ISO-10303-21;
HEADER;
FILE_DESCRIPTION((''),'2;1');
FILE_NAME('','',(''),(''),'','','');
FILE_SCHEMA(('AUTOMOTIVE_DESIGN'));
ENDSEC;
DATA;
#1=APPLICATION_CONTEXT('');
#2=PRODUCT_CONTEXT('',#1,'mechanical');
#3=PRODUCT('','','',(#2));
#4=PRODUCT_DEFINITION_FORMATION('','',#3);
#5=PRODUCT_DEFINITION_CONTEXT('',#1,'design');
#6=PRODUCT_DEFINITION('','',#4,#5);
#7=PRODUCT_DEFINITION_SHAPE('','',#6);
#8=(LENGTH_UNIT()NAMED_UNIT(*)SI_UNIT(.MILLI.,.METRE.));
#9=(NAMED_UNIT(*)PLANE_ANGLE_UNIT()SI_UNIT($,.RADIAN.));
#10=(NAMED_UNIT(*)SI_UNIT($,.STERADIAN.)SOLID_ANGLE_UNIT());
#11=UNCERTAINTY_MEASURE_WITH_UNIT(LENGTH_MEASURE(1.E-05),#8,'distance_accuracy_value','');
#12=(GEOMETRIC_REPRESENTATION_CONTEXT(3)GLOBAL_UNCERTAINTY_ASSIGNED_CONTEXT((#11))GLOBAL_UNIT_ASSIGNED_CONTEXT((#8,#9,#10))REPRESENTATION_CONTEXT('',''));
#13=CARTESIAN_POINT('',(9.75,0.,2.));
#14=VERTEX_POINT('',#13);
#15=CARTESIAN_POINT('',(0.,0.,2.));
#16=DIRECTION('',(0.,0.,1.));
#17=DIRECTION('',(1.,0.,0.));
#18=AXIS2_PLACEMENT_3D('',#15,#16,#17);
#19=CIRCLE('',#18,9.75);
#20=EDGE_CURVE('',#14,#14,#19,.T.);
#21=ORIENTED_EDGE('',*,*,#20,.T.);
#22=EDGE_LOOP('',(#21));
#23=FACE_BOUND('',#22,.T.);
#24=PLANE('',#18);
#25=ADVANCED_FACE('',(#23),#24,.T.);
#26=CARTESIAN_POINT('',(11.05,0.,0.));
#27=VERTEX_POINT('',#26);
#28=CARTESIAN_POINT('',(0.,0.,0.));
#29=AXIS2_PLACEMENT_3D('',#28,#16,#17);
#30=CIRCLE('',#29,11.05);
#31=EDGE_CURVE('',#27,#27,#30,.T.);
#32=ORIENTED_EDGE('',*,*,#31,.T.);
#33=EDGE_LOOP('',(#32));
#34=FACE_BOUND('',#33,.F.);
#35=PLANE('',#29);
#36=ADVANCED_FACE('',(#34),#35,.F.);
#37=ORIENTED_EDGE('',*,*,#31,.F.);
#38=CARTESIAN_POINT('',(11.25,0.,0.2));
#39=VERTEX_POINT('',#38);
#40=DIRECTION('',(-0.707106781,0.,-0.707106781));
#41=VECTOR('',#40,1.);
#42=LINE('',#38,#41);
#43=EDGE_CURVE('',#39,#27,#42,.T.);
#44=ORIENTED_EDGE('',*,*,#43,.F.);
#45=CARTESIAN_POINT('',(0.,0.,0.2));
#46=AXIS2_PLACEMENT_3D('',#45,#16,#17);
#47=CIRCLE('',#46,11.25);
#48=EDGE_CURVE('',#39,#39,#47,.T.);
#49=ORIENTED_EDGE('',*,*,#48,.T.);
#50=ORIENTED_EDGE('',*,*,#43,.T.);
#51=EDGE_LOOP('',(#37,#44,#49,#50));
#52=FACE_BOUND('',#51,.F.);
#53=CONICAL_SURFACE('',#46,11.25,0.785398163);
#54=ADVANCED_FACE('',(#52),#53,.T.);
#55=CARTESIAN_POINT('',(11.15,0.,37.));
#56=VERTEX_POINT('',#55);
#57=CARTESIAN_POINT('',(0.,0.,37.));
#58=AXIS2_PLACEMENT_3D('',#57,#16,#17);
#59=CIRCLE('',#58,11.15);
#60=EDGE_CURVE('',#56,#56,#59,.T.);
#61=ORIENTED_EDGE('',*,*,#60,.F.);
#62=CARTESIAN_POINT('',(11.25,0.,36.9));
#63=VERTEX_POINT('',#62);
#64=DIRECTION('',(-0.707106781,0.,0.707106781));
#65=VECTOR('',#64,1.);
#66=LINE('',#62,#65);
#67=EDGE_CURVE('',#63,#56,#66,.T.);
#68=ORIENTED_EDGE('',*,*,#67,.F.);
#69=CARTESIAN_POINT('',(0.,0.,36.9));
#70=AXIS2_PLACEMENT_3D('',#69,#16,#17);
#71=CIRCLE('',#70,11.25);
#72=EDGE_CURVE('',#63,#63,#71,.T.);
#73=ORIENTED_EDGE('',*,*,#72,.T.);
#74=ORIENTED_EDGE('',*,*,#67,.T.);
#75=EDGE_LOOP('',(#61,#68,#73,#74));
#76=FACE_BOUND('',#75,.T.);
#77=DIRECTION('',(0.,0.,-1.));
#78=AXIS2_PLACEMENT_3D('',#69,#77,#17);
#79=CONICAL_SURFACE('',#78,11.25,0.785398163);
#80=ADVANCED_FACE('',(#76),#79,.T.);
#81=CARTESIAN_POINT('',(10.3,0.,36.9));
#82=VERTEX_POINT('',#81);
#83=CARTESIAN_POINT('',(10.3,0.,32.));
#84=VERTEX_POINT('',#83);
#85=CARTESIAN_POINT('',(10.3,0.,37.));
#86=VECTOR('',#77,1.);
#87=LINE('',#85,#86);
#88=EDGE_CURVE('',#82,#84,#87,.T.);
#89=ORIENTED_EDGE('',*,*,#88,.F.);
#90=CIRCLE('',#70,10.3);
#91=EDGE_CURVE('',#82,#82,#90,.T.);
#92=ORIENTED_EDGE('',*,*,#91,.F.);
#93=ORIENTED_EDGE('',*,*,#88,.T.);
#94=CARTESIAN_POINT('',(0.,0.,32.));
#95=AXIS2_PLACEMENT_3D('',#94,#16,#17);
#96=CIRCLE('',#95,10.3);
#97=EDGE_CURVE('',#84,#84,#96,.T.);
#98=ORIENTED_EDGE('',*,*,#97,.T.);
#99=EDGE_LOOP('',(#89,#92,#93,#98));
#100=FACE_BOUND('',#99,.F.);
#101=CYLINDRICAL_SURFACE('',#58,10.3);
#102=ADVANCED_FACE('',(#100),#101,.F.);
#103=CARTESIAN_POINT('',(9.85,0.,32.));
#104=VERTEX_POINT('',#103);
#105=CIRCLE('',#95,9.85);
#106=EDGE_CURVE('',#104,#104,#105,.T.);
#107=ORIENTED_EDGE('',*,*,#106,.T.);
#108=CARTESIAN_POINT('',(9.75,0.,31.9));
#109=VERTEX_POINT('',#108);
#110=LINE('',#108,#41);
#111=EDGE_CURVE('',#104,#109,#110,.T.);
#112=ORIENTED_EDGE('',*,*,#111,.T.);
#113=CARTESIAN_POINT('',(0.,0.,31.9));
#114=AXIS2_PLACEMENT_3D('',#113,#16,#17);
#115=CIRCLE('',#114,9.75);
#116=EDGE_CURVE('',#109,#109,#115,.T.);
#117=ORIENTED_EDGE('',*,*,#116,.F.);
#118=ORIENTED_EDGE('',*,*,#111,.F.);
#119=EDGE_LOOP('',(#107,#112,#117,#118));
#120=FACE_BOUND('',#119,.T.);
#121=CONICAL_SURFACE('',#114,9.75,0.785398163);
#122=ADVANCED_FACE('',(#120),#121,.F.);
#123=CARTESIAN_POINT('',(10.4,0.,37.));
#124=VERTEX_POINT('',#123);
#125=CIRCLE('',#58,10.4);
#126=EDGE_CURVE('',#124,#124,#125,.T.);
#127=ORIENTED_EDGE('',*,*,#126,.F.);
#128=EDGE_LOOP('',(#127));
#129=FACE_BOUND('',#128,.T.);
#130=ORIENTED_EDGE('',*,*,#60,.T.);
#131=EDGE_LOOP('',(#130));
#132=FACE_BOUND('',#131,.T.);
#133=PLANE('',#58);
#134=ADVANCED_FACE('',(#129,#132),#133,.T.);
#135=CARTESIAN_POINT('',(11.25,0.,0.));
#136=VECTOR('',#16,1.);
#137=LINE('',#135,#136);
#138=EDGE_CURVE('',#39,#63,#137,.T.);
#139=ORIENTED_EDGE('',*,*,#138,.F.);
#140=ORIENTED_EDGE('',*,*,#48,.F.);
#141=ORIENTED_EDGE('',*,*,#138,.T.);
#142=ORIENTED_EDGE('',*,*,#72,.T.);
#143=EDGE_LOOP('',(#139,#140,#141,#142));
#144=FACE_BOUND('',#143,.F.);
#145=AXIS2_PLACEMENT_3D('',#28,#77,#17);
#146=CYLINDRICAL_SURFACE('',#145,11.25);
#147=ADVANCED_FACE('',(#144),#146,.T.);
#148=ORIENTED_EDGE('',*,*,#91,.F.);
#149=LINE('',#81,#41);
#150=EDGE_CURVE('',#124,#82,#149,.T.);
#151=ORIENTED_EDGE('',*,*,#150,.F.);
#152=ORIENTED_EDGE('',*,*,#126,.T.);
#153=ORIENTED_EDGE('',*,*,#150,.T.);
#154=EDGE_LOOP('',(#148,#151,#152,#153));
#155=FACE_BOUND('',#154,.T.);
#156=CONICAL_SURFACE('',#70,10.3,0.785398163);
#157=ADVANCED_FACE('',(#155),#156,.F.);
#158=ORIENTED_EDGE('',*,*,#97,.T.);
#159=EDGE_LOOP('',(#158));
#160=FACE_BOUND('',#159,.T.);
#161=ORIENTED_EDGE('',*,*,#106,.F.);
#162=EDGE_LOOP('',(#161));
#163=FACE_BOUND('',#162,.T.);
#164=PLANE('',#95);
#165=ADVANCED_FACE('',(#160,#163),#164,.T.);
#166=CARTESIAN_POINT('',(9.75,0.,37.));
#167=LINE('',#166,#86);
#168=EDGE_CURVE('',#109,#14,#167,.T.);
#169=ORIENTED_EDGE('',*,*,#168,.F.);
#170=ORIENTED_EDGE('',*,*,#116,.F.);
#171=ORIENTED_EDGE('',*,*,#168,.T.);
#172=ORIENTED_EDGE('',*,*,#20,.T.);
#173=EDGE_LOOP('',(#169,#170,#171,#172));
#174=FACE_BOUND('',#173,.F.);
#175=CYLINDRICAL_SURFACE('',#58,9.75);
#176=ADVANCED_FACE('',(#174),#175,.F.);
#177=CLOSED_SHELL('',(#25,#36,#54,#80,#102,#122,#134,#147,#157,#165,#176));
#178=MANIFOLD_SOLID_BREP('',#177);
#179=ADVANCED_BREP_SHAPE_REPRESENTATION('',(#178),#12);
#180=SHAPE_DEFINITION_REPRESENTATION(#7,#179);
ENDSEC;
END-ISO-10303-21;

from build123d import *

# Parameters (mm, degrees)
F0_R     = 11.25
F1_DEPTH = 37
F2_R     = 9.75
F3_DEPTH = 35
F4_R     = 10.3
F5_DEPTH = 5
F6_SIZE  = 0.1
F7_SIZE  = 0.2


with BuildPart() as f1:
    # F0 (on Top) → F1 (new body)
    with BuildSketch(Plane.XY):
        Circle(F0_R)
    extrude(amount=F1_DEPTH)

    # F2 (on face) → F3 (cut)
    with BuildSketch(Plane.XY.offset(37)):
        Circle(F2_R)
    extrude(amount=-F3_DEPTH, mode=Mode.SUBTRACT)

    # F4 (on face) → F5 (cut)
    with BuildSketch(Plane.XY.offset(37)):
        Circle(F4_R)
    extrude(amount=-F5_DEPTH, mode=Mode.SUBTRACT)

    # F6
    f6_edges = [f1.edges().sort_by_distance(p)[0] for p in [
        (-10.3, 0, 37),
        (-11.25, 0, 37),
        (-9.75, 0, 32),
    ]]
    chamfer(f6_edges, length=F6_SIZE)

    # F7
    f7_edges = [f1.edges().sort_by_distance(p)[0] for p in [
        (-11.25, 0, 0),
    ]]
    chamfer(f7_edges, length=F7_SIZE)


solid = f1.part
